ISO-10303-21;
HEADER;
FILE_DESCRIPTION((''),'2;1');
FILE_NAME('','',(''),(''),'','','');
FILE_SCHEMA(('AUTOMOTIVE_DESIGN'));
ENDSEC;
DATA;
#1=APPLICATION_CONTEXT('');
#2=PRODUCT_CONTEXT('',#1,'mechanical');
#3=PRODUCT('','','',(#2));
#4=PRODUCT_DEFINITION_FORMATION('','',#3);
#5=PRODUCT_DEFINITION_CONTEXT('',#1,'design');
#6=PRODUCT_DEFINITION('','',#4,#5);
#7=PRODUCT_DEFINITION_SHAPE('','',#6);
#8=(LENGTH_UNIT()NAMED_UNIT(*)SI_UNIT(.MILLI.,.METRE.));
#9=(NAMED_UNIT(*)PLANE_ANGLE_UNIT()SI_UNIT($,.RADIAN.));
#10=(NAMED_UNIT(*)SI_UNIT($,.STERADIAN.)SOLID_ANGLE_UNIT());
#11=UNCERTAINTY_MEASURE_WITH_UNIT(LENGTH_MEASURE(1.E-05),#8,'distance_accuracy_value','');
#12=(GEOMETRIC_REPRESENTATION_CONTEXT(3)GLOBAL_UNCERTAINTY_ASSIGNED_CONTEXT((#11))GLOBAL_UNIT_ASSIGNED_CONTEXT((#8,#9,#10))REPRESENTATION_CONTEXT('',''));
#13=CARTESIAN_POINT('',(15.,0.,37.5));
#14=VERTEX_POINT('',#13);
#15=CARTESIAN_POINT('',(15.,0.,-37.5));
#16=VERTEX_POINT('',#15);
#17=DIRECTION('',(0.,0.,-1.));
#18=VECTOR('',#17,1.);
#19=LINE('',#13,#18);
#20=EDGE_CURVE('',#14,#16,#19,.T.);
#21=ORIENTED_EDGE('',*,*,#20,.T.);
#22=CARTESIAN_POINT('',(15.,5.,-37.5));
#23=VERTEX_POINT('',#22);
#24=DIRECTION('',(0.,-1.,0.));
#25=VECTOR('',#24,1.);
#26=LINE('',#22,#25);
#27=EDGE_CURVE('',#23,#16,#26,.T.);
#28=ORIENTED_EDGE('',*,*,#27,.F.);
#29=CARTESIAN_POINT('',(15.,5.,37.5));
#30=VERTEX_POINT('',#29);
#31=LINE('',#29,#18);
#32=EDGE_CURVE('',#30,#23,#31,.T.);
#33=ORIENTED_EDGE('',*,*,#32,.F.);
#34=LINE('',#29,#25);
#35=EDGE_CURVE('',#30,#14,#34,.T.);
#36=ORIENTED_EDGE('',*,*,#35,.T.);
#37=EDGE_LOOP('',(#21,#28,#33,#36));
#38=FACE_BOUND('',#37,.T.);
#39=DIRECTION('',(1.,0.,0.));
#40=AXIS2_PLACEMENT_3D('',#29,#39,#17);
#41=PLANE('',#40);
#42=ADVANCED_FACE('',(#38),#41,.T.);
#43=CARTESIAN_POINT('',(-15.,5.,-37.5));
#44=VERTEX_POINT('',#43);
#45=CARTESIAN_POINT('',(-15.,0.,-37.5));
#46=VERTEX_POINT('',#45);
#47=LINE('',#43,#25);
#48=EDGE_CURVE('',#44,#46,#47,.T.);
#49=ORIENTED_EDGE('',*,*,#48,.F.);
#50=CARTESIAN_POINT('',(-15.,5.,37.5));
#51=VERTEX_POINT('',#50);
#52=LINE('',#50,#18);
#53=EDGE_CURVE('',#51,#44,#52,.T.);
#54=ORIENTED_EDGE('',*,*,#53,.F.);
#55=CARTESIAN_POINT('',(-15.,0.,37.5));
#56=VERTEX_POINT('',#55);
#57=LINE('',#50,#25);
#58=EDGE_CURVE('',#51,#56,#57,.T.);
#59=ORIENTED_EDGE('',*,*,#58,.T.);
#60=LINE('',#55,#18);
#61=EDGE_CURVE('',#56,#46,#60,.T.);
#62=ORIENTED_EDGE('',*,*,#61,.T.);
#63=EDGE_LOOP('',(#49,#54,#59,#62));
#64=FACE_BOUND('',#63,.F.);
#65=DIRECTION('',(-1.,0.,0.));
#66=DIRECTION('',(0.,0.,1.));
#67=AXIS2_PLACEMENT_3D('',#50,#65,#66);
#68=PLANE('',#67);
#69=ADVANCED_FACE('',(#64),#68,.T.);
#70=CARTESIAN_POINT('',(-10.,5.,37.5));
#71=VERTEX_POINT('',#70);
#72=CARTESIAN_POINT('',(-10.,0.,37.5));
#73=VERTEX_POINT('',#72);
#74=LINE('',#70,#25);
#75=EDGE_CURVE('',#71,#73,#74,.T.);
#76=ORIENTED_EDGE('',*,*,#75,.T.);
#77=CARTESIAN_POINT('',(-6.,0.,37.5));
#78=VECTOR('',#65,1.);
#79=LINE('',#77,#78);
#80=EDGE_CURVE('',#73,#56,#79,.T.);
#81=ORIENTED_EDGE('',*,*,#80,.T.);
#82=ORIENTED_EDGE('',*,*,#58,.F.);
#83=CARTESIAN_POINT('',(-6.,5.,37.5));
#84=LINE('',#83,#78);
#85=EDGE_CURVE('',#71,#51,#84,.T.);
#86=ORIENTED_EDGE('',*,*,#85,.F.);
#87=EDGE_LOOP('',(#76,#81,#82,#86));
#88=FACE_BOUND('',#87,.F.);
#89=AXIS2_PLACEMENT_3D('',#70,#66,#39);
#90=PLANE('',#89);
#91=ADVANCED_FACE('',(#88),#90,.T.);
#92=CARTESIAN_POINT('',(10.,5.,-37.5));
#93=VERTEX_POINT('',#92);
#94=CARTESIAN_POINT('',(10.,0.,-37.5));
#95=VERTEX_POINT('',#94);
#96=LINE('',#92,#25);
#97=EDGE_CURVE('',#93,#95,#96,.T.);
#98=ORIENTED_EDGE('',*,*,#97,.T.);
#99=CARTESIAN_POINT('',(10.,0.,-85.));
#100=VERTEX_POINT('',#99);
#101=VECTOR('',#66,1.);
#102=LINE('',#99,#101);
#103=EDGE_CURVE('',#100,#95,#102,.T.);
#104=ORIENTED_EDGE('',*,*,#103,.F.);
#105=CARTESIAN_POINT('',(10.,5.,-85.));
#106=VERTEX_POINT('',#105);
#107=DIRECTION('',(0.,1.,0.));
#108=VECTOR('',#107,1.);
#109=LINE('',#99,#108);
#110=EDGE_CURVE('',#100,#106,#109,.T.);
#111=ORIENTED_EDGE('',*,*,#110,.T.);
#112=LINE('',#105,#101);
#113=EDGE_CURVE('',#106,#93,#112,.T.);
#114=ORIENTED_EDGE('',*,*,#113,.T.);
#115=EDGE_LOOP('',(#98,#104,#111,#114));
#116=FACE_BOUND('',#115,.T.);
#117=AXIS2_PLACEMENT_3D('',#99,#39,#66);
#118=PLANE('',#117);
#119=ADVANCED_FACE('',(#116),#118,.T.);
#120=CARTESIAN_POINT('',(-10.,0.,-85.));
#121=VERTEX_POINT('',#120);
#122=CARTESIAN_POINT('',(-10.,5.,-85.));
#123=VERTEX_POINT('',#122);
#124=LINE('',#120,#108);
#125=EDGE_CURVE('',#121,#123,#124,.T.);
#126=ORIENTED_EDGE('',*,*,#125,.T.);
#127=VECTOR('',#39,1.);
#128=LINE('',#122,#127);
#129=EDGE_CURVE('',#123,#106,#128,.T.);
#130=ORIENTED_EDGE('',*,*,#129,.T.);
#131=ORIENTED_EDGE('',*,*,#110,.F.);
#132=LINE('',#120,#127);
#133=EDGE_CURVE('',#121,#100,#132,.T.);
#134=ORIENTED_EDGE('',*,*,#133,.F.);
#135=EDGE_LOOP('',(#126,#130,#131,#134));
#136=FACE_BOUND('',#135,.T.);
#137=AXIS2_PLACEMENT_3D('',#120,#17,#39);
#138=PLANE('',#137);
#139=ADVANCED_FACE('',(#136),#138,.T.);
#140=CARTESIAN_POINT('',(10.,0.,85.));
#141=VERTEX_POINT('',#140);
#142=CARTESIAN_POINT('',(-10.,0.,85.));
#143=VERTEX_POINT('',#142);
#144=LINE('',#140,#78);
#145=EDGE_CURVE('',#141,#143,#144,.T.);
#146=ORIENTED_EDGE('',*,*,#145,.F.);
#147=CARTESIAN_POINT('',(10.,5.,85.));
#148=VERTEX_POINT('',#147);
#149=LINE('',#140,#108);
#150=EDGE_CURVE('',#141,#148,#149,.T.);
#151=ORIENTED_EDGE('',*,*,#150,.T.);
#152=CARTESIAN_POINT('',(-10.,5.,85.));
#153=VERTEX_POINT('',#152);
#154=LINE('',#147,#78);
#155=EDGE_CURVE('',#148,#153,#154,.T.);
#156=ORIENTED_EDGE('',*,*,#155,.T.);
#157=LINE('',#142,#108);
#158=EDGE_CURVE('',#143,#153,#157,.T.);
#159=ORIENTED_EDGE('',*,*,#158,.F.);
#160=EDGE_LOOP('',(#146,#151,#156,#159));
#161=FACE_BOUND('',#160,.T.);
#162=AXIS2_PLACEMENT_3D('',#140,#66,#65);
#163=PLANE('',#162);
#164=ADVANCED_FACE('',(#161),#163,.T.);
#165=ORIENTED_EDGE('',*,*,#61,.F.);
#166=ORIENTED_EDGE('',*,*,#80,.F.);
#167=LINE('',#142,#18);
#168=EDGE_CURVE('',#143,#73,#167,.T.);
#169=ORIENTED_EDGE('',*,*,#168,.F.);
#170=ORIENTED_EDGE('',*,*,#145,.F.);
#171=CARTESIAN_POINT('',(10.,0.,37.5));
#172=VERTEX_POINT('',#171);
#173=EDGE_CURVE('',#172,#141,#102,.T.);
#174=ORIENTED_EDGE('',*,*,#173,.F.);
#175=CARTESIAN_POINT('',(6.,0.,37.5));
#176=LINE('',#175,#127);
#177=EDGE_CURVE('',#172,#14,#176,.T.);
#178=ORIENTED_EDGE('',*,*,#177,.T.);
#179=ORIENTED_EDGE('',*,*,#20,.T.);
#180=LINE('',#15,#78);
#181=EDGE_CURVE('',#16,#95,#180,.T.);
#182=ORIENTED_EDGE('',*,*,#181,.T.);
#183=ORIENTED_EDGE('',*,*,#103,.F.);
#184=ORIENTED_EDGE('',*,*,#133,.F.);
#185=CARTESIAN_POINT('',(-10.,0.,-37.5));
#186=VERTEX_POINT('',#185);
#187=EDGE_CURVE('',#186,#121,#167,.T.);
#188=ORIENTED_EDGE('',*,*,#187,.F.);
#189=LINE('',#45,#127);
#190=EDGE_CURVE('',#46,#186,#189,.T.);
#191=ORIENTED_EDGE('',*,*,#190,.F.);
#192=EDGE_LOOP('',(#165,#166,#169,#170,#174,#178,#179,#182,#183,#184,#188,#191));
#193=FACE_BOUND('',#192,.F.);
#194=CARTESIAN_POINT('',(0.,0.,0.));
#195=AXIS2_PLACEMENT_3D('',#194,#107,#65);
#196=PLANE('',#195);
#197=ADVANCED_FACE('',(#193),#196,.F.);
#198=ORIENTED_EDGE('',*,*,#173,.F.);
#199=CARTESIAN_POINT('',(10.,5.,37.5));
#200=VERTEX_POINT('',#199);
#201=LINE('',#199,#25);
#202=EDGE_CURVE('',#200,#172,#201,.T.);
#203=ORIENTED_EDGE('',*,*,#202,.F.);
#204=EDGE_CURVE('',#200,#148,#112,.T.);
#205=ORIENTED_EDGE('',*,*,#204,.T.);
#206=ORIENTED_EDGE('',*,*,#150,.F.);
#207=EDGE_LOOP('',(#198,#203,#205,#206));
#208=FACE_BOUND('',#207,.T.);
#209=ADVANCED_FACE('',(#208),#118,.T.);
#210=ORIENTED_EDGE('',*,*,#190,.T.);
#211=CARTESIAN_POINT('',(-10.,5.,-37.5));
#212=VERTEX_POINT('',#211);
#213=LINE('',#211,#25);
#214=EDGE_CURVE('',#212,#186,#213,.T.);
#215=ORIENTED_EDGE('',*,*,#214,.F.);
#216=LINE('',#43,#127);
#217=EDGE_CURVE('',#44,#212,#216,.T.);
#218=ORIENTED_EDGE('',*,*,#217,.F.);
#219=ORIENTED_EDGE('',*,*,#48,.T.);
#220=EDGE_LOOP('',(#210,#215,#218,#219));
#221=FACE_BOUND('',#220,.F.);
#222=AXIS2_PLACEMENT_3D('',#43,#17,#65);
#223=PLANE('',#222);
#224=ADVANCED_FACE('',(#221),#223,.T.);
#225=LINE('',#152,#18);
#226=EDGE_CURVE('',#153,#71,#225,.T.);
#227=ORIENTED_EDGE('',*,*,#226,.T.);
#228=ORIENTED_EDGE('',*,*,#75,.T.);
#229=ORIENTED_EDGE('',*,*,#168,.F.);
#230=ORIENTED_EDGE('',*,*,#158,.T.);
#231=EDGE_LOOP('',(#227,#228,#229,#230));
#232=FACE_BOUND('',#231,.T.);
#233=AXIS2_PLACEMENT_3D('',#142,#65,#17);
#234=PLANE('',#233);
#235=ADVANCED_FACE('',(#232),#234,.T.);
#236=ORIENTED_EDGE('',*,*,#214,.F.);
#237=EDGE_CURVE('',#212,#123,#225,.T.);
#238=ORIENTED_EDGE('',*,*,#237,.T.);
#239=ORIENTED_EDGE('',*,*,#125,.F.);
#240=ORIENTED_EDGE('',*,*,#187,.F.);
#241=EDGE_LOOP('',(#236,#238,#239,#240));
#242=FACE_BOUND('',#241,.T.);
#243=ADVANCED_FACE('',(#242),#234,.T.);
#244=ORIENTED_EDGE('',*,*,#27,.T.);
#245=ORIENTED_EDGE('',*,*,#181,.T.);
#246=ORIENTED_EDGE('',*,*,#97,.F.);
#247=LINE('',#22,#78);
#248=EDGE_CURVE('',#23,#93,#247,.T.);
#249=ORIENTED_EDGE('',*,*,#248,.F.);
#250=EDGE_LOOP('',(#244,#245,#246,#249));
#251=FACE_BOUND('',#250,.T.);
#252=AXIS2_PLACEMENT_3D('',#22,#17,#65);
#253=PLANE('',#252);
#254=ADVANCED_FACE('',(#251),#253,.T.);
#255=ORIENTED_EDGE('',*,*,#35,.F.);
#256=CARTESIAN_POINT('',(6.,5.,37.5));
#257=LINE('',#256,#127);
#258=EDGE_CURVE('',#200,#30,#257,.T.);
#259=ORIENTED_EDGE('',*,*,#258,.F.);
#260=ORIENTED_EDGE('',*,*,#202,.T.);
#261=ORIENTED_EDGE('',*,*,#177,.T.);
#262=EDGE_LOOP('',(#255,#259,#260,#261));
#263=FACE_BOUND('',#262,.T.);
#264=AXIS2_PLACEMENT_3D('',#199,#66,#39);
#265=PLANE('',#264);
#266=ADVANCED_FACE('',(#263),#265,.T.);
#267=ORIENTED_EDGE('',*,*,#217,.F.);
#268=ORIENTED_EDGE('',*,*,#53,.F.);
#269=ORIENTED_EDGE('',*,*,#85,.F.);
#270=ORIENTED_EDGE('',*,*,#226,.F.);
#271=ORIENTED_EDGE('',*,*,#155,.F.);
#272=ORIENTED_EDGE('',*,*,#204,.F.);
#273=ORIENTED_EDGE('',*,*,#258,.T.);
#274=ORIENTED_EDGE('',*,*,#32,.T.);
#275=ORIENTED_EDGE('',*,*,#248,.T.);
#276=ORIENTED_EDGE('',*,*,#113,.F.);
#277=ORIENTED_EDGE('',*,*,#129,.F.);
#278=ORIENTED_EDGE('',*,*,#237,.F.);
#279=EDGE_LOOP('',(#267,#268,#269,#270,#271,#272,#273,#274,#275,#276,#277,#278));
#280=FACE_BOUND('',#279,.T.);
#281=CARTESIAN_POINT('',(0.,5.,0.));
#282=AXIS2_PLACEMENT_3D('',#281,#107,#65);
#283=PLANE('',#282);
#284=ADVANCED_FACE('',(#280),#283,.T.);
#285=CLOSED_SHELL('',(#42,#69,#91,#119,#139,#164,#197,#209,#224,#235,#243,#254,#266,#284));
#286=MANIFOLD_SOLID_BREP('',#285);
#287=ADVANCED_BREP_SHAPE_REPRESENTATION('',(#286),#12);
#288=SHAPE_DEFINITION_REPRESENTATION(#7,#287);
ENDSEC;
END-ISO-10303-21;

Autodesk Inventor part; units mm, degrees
ref_plane "YZ Plane" through (0, 0, 0) normal (1, 0, 0) x (0, 1, 0)
ref_plane "XZ Plane" through (0, 0, 0) normal (0, 1, 0) x (-1, 0, 0)
ref_plane "XY Plane" through (0, 0, 0) normal (0, 0, 1) x (1, 0, 0)
sketch "Sketch1" plane through (0, 0, 0) normal (0, 1, 0) x (-1, 0, 0)
  line L0 (-10, 85) -> (10, 85)
  line L1 (10, 85) -> (10, -85)
  line L2 (10, -85) -> (-10, -85)
  line L3 (-10, -85) -> (-10, 85)
  line L4 (-10, 85) -> (10, -85) construction
  line L5 (10, 85) -> (-10, -85) construction
  point P0 (0, 0)
  dimension "d0" = 170
  dimension "d1" = 20
extrude "Extrusion1" add sketch "Sketch1" along normal blind 5
sketch "Sketch2" plane through (0, 5, 0) normal (0, 1, 0) x (1, 0, 0)
  line L0 (0, 0) -> (10.5, 0)
  line L1 (6, -37.5) -> (15, -37.5)
  line L2 (15, -37.5) -> (15, 37.5)
  line L3 (15, 37.5) -> (6, 37.5)
  line L4 (6, 37.5) -> (6, -37.5)
  line L5 (6, -37.5) -> (15, 37.5) construction
  line L6 (15, -37.5) -> (6, 37.5) construction
  line L7 (10, -85) -> (10, 85) projected
  point P0 (10, 37.5)
  point P1 (10, -37.5)
  dimension "d4" = 5
  dimension "d5" = 75
extrude "Extrusion2" add sketch "Sketch2" against normal blind 5 contours L7 L3 L2 L1
mirror "Mirror1" about plane through (0, 0, 0) normal (1, 0, 0) of "Extrusion2"
properties part number "Gel wall"
